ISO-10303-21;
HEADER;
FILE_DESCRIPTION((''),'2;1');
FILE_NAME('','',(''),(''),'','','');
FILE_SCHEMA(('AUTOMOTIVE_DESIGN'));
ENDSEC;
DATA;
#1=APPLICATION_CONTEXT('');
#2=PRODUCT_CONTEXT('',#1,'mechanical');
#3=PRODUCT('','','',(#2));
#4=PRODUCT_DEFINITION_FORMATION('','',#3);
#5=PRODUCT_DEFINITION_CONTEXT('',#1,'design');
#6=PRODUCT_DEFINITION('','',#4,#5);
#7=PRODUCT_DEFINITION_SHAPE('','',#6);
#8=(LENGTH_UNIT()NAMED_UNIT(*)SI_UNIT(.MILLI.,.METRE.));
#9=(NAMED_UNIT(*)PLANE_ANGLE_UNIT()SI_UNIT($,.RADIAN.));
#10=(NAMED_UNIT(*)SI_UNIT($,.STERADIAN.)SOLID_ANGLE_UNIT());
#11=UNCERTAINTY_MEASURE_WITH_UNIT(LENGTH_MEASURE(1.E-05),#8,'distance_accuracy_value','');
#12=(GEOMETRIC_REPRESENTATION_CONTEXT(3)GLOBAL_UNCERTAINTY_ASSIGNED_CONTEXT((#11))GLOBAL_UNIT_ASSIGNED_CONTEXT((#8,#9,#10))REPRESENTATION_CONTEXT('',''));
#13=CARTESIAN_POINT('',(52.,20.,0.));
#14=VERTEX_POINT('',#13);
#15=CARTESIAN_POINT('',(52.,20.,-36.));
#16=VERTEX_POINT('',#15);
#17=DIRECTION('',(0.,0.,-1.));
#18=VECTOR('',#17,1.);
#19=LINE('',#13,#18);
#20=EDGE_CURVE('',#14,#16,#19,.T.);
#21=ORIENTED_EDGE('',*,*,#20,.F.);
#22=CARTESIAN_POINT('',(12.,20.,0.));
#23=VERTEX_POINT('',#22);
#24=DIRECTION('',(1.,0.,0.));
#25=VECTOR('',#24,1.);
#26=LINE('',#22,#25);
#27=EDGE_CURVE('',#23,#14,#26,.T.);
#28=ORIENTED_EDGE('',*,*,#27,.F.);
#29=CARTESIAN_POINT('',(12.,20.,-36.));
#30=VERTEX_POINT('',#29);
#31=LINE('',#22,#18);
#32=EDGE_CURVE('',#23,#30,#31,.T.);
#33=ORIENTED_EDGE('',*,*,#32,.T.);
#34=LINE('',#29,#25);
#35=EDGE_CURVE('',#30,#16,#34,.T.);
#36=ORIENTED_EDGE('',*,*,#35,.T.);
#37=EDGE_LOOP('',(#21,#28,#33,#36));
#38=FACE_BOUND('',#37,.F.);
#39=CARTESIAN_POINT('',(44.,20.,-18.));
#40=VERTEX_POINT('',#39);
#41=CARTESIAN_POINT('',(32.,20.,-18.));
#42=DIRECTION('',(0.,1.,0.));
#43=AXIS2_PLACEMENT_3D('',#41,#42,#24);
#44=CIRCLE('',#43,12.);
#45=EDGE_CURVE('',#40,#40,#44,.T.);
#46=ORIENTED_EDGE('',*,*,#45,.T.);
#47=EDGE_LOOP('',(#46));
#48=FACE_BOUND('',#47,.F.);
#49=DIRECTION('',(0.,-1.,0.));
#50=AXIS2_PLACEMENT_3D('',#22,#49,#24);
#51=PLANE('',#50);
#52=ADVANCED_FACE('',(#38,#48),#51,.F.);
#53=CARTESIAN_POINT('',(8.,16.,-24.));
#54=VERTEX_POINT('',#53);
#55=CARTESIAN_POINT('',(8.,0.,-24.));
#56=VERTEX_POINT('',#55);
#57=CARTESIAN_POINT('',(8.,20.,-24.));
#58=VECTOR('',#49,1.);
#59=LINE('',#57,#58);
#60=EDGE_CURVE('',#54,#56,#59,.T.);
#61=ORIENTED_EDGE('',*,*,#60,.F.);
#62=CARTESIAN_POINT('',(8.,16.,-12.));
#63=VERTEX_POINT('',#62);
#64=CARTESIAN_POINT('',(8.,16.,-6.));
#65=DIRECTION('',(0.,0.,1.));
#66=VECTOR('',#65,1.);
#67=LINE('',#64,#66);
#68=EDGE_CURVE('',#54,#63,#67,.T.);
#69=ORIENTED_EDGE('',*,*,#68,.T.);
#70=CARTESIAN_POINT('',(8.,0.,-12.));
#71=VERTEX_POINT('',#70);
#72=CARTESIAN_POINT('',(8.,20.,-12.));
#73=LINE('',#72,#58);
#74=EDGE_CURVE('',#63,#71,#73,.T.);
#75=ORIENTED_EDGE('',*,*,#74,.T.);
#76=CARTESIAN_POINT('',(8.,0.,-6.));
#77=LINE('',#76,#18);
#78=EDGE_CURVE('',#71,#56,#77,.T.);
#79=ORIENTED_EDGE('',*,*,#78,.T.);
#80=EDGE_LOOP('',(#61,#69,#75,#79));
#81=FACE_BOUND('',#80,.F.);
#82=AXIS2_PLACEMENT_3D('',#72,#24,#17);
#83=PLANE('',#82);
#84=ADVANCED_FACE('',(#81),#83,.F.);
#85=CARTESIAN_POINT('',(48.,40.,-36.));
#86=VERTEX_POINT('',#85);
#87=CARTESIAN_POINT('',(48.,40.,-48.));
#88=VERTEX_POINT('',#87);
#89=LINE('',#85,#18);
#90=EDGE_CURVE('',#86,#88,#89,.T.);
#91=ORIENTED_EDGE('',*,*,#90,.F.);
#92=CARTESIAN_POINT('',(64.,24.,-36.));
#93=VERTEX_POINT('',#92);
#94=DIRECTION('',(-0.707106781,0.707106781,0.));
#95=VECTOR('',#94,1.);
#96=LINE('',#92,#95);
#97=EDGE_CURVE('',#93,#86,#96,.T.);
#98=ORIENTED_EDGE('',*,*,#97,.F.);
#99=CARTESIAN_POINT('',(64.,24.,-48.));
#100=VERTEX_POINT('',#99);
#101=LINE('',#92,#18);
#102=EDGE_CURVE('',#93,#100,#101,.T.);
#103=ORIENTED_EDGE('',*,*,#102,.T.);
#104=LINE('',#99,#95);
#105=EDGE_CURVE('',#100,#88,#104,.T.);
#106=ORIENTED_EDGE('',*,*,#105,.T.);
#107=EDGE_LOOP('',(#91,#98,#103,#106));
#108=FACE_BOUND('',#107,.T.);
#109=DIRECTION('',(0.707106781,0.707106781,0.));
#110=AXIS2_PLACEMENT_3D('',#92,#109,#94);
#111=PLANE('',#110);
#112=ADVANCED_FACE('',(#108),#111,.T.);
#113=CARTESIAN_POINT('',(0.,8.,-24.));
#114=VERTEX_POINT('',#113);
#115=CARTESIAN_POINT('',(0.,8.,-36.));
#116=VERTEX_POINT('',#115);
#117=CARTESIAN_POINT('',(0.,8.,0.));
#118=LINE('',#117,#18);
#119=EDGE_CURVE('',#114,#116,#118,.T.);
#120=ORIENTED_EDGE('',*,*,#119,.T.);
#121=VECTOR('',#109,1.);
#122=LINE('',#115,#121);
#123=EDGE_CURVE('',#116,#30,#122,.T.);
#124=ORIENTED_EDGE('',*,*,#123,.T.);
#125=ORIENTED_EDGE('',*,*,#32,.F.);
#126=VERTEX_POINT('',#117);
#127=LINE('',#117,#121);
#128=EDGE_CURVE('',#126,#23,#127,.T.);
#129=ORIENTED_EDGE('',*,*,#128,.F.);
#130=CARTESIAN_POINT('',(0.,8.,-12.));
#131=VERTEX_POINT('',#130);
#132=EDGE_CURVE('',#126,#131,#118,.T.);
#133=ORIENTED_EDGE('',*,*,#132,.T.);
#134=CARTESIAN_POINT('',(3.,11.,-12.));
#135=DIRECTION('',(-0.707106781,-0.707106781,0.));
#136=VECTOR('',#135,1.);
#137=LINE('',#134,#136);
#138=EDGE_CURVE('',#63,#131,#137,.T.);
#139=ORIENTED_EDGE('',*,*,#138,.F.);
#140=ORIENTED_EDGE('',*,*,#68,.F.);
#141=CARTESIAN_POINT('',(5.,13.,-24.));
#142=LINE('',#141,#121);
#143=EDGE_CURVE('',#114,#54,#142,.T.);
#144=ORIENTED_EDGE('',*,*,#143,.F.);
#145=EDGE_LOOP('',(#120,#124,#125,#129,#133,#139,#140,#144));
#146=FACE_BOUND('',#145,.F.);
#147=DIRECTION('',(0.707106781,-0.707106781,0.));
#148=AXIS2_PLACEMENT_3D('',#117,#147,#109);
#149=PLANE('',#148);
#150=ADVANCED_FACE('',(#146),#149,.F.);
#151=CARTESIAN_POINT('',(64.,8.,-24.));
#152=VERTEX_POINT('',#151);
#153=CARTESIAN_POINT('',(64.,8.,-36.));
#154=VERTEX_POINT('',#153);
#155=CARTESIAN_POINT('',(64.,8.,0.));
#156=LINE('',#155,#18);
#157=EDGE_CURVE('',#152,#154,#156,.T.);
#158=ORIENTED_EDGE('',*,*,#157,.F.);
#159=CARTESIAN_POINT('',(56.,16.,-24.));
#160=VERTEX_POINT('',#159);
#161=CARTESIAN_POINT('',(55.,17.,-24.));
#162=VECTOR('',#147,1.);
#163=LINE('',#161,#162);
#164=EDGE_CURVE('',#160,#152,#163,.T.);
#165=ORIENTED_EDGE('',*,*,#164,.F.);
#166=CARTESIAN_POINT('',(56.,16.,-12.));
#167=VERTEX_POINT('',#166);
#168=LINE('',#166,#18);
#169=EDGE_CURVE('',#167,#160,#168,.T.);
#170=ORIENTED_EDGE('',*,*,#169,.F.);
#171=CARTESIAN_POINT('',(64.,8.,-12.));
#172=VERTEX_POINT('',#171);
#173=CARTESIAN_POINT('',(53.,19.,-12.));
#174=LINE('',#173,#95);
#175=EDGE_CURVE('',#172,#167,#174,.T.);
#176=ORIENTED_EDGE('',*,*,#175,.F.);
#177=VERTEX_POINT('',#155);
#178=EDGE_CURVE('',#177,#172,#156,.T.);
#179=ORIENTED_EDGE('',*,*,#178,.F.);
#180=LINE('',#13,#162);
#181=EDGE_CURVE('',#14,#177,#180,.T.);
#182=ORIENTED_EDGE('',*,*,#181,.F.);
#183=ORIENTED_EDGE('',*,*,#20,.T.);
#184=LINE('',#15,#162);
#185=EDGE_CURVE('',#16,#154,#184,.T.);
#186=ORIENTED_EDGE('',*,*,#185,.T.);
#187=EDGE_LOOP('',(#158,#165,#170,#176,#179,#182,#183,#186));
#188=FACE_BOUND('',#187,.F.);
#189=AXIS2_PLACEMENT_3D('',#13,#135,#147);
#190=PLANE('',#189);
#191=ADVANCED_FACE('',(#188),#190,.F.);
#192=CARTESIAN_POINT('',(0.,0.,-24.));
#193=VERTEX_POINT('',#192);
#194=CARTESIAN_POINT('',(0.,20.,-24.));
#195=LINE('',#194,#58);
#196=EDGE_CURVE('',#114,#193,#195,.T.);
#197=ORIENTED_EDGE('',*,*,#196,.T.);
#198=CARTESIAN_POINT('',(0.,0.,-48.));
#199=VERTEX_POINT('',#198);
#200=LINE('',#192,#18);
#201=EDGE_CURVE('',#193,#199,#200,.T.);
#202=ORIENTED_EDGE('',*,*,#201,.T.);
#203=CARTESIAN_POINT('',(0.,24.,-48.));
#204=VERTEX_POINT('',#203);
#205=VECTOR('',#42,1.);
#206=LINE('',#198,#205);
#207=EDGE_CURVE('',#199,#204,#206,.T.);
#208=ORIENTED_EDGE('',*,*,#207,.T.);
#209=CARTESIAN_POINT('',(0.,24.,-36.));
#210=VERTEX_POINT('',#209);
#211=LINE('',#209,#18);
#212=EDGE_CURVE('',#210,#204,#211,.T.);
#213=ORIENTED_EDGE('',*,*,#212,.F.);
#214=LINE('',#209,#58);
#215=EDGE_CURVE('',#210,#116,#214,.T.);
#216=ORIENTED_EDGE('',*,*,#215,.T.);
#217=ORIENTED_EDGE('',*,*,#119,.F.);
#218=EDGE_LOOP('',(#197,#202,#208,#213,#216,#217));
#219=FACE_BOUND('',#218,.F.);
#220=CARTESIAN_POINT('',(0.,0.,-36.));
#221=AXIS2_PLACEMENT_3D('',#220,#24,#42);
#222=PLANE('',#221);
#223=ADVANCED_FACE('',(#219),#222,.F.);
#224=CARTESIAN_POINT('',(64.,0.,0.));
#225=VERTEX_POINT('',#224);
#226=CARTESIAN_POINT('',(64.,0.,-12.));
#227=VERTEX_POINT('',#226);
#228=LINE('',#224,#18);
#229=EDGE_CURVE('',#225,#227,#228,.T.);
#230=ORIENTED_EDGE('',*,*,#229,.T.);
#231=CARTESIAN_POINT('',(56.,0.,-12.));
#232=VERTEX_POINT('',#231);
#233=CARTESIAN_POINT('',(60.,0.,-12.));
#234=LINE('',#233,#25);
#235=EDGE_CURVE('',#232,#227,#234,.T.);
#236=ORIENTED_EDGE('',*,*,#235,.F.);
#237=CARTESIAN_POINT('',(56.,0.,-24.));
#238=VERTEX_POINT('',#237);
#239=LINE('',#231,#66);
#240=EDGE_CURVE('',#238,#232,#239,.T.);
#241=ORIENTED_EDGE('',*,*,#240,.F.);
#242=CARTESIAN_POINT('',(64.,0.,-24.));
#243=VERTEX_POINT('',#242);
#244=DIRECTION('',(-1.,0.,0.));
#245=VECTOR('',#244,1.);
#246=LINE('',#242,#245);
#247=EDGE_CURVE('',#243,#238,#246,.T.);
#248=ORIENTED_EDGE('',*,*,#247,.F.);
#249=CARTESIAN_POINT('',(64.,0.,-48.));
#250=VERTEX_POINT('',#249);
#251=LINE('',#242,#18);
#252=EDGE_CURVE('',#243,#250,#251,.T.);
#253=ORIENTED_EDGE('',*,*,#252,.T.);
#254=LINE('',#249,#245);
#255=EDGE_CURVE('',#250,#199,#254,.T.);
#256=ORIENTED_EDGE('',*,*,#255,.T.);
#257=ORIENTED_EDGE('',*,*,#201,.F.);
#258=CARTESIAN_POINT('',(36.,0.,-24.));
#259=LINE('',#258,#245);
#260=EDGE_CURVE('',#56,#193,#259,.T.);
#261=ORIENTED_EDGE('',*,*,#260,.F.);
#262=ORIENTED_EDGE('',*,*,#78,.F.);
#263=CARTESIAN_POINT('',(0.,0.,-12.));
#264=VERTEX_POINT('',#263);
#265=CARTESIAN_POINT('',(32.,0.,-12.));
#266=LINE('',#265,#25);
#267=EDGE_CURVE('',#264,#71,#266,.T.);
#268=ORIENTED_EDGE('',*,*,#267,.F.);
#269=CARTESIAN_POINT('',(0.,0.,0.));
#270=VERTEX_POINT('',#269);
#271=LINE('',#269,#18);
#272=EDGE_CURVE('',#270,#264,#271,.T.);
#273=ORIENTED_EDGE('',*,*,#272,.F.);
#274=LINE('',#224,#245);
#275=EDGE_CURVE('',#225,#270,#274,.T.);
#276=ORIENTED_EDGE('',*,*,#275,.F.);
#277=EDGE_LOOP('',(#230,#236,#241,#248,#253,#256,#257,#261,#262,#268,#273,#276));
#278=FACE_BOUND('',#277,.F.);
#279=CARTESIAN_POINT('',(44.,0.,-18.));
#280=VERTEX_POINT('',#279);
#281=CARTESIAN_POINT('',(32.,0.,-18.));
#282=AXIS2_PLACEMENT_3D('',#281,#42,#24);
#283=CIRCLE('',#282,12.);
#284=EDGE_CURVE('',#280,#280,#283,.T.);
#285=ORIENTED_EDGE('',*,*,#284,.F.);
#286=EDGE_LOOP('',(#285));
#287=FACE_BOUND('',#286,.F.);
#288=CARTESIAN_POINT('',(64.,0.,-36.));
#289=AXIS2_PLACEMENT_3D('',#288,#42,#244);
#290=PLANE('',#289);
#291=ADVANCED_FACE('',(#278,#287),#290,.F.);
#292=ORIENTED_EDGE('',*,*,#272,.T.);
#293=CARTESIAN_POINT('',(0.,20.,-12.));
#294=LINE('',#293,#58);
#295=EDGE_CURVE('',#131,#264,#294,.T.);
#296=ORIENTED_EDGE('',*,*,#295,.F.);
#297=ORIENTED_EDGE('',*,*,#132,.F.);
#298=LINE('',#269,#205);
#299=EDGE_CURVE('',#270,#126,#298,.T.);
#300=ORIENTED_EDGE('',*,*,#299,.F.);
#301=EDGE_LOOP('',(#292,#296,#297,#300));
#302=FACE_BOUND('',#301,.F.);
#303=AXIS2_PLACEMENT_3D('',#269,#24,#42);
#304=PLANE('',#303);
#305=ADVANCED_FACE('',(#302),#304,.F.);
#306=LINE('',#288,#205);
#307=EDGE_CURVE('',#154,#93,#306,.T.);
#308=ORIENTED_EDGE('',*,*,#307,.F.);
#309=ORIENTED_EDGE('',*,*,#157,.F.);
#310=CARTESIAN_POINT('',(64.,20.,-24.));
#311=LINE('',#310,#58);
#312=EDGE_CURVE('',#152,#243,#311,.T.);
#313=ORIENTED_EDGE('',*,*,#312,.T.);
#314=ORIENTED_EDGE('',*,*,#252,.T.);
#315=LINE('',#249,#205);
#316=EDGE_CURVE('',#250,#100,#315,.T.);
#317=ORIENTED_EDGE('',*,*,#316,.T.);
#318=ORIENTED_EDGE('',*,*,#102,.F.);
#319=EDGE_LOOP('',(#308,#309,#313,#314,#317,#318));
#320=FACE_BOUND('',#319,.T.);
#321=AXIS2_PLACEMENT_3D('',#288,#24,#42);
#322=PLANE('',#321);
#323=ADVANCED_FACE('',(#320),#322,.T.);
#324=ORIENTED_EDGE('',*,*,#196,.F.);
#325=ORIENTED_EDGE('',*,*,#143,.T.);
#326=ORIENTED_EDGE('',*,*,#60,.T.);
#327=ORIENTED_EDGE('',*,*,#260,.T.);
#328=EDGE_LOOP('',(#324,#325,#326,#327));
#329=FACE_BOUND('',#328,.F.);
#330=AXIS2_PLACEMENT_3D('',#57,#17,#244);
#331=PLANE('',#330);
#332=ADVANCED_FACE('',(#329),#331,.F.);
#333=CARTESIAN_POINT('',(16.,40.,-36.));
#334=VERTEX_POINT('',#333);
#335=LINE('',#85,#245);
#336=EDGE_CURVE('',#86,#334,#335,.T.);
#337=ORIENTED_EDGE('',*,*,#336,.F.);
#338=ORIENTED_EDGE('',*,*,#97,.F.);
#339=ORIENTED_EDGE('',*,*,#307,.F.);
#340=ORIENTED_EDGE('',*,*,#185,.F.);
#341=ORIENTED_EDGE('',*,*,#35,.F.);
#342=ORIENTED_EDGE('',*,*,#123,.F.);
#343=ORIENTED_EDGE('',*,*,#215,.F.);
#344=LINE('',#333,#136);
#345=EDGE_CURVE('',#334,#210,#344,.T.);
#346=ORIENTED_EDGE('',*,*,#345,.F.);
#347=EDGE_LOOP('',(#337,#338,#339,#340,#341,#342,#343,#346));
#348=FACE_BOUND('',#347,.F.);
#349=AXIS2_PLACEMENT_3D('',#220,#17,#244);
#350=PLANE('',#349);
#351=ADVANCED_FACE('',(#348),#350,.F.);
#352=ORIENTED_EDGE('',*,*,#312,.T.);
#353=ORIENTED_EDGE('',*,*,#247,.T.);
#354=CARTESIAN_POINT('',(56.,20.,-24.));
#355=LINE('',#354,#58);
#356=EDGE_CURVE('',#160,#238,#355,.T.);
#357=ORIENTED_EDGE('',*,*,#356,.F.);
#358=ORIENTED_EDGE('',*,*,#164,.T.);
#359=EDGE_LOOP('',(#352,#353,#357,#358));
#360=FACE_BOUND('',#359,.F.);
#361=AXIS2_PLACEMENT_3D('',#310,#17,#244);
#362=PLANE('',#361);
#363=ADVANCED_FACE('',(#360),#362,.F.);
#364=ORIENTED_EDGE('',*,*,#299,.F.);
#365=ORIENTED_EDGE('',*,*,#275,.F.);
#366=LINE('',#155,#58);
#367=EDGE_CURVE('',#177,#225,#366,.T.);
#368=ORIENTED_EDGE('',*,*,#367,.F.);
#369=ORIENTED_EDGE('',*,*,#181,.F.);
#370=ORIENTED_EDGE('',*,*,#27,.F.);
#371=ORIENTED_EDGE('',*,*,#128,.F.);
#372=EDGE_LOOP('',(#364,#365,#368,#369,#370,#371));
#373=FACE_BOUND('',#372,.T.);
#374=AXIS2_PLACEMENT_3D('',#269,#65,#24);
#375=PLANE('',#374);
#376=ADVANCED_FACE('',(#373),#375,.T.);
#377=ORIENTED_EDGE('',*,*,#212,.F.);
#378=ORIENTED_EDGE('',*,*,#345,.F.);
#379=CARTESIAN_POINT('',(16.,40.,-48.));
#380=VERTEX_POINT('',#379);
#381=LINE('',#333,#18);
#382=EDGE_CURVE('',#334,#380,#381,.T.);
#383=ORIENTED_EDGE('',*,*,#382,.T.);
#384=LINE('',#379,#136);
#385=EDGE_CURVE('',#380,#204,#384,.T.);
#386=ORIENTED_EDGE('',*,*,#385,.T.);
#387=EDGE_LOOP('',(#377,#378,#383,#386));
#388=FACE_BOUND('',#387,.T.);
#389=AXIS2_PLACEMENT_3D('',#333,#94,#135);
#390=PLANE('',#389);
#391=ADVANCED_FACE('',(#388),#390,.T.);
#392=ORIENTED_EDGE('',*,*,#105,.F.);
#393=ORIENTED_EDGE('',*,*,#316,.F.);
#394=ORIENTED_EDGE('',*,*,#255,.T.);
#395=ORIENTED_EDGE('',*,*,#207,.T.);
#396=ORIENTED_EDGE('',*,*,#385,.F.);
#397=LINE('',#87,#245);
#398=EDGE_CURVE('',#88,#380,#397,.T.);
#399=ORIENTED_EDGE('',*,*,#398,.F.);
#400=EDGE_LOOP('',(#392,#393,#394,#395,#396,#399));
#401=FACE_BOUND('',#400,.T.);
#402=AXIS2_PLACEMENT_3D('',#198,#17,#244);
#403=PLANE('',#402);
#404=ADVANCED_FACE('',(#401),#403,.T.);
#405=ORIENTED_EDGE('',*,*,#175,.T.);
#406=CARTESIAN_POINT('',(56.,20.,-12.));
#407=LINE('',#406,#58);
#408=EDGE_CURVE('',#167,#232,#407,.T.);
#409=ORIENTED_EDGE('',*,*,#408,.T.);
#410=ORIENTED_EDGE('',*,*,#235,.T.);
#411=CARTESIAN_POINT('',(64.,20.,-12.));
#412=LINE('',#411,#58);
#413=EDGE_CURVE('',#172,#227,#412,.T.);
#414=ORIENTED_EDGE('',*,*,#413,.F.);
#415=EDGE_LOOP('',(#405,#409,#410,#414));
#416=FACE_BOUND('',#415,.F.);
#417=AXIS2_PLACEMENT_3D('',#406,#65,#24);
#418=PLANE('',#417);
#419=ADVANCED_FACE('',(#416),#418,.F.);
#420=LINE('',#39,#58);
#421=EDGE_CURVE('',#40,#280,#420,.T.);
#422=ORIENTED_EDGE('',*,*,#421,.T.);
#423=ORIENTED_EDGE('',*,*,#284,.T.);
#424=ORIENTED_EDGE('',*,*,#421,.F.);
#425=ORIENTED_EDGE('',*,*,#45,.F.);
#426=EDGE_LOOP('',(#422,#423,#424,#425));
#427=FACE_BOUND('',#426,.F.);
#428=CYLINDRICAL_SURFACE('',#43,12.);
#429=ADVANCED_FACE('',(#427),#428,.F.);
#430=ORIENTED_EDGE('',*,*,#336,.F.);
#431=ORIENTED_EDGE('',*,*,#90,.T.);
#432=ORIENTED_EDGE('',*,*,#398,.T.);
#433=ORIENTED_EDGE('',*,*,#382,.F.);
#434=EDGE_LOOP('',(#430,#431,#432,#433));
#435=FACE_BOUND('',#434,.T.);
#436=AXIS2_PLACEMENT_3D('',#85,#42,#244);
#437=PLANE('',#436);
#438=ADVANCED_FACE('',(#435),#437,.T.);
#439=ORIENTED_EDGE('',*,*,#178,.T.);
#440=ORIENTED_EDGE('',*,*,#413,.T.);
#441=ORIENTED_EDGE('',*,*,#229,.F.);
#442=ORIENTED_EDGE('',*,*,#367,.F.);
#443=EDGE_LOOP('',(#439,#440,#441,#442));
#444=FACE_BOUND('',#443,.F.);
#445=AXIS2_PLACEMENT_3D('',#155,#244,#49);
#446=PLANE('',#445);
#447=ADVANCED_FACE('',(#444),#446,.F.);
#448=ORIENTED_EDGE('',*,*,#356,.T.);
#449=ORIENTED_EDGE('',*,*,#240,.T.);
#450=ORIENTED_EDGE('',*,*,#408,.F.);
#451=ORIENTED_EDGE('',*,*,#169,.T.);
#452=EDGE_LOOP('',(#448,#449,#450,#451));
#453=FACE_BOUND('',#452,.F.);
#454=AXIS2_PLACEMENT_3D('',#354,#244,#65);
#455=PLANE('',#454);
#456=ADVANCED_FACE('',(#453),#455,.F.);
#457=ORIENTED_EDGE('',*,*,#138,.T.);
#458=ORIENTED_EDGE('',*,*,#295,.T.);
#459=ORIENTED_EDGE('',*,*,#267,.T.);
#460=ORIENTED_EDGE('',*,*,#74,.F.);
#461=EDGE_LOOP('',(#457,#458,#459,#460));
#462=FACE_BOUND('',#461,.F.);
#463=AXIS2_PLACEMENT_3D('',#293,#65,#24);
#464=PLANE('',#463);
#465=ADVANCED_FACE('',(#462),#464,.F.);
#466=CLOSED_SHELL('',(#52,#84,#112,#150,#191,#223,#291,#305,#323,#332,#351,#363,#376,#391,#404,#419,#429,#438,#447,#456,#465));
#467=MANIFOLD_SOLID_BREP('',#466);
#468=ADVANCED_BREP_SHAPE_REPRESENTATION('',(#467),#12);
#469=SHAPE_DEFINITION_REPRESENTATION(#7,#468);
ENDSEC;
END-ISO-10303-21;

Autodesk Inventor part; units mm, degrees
ref_plane "YZ Plane" through (0, 0, 0) normal (1, 0, 0) x (0, 1, 0)
ref_plane "XZ Plane" through (0, 0, 0) normal (0, 1, 0) x (-1, 0, 0)
ref_plane "XY Plane" through (0, 0, 0) normal (0, 0, 1) x (1, 0, 0)
sketch "草圖1" plane through (0, 0, 0) normal (0, 0, 1) x (1, 0, 0)
  line L0 (0, 0) -> (0, 8)
  line L1 (0, 8) -> (12, 20)
  line L2 (12, 20) -> (52, 20)
  line L3 (52, 20) -> (64, 8)
  line L4 (64, 8) -> (64, 0)
  line L5 (64, 0) -> (0, 0)
  dimension "d0" = 8
  dimension "d1" = 8
  dimension "d2" = 40
  dimension "d3" = 64
  dimension "d4" = 20
  dimension "d5" = 12
extrude "擠出1" add sketch "草圖1" against normal blind 36
sketch "草圖3" plane through (12, 20, 0) normal (0, 1, 0) x (1, 0, 0)
  line L0 (52, 0) -> (52, 36) projected
  line L1 (52, 24) -> (44, 24)
  line L2 (44, 24) -> (44, 12)
  line L3 (44, 12) -> (52, 12)
  line L4 (40, 0) -> (52, 0) projected
  point P0 (-12, 0)
  dimension "d10" = 12
  dimension "d11" = 12
  dimension "d12" = 8
extrude "擠出2" cut sketch "草圖3" against normal blind 48
sketch "草圖5" plane through (12, 20, 0) normal (0, 1, 0) x (1, 0, 0)
  line L0 (-12, 0) -> (-12, 36) projected
  line L1 (-12, 12) -> (-4, 12)
  line L2 (-4, 12) -> (-4, 24)
  line L3 (-4, 24) -> (-12, 24)
  line L4 (-12, 0) -> (0, 0) projected
  dimension "d18" = 12
  dimension "d19" = 12
  dimension "d20" = 8
extrude "擠出3" cut sketch "草圖5" against normal blind 48
sketch "草圖6" plane through (12, 20, 0) normal (0, 1, 0) x (1, 0, 0)
  circle A0 centre (20, 18) radius 12
  line L0 (0, 0) -> (40, 0) projected
  line L1 (40, 0) -> (40, 36) projected
  point P0 (-12, 0)
  dimension "d23" = 24
  dimension "d24" = 18
  dimension "d25" = 20
extrude "擠出4" cut sketch "草圖6" against normal blind 48
sketch "草圖7" plane through (0, 0, -36) normal (0, 0, -1) x (-1, 0, 0)
  line L0 (-64, 0) -> (-64, 24)
  line L1 (-64, 24) -> (-48, 40)
  line L2 (-48, 40) -> (-16, 40)
  line L3 (-16, 40) -> (0, 24)
  line L4 (0, 0) -> (0, 8) projected
  line L5 (0, 24) -> (0, 8)
  line L6 (0, 8) -> (0, 0)
  line L7 (-64, 0) -> (0, 0) projected
  dimension "d28" = 32
  dimension "d29" = 16
  dimension "d30" = 40
  dimension "d31" = 16
  dimension "d32" = 16
extrude "擠出5" add sketch "草圖7" along normal blind 12
properties part number "410571040加分題"
